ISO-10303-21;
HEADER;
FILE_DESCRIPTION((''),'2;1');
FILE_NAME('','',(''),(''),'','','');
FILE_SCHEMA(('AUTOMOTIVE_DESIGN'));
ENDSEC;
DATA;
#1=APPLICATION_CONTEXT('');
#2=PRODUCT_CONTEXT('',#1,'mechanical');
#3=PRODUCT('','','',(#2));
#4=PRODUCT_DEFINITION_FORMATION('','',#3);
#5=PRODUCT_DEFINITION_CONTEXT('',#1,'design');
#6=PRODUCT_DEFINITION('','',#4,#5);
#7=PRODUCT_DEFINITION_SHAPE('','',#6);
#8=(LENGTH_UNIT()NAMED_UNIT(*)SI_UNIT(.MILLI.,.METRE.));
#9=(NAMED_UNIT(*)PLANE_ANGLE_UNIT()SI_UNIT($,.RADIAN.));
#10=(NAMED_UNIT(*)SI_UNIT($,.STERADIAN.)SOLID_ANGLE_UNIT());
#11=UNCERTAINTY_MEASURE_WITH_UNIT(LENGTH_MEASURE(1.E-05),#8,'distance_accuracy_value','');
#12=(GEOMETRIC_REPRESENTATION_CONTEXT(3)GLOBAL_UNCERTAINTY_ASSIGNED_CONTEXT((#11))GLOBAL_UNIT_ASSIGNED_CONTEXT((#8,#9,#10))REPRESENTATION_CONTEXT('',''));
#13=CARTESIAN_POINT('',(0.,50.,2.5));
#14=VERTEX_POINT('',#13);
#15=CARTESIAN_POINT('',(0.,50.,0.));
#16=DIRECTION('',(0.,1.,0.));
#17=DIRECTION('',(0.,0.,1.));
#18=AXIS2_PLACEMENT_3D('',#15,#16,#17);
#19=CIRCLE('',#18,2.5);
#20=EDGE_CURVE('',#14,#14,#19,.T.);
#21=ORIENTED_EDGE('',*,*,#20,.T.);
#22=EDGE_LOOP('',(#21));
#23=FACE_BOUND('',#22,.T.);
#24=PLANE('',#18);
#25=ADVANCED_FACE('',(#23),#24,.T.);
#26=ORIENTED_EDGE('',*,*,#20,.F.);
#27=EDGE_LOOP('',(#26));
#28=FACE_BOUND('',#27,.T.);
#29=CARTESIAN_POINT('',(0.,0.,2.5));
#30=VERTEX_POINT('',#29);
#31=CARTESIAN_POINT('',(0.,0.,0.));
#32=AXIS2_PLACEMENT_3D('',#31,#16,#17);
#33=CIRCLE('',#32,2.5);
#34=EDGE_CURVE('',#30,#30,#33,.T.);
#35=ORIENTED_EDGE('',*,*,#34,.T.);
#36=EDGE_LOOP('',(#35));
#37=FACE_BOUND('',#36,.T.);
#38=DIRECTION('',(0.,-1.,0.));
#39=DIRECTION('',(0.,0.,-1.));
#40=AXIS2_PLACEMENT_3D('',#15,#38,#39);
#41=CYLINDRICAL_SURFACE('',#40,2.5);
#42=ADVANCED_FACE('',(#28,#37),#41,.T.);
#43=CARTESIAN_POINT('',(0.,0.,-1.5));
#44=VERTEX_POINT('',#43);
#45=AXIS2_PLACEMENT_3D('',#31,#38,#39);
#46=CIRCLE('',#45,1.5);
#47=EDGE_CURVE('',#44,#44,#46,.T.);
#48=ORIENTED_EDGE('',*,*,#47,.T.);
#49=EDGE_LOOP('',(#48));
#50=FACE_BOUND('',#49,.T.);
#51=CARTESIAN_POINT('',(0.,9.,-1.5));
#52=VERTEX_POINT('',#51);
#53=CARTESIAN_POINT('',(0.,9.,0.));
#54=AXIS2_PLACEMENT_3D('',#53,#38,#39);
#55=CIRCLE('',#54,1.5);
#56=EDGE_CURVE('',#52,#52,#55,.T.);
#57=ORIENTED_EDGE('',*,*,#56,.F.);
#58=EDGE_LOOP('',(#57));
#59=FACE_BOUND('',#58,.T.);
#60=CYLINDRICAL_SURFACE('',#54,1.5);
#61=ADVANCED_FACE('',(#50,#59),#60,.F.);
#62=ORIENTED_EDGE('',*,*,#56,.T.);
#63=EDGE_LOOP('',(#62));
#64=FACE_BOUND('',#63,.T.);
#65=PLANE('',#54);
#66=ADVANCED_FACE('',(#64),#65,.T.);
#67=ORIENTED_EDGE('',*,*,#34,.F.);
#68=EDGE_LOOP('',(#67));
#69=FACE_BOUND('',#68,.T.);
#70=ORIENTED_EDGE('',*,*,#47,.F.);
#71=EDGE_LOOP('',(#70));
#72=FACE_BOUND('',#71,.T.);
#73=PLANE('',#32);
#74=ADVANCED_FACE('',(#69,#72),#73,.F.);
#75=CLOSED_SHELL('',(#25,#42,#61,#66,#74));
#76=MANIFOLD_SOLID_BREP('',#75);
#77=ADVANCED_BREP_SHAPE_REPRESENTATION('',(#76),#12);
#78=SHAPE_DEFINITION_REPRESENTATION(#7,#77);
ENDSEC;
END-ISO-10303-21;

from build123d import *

# Parameters (mm, degrees)
SKETCH1_R           = 2.5
BOSS_EXTRUDE1_DEPTH = 50
SKETCH2_R           = 1.5
CUT_EXTRUDE1_DEPTH  = 9


with BuildPart() as part:
    # Sketch1 → Boss-Extrude1 (new body)
    with BuildSketch(Plane(origin=(0, 0, 0), x_dir=(1, 0, 0), z_dir=(0, 1, 0))):
        Circle(SKETCH1_R)
    extrude(amount=BOSS_EXTRUDE1_DEPTH)

    # Sketch2 → Cut-Extrude1 (cut)
    with BuildSketch(Plane(origin=(0, 0, 0), x_dir=(-1, 0, 0), z_dir=(0, -1, 0))):
        Circle(SKETCH2_R)
    extrude(amount=-CUT_EXTRUDE1_DEPTH, mode=Mode.SUBTRACT)


solid = part.part
